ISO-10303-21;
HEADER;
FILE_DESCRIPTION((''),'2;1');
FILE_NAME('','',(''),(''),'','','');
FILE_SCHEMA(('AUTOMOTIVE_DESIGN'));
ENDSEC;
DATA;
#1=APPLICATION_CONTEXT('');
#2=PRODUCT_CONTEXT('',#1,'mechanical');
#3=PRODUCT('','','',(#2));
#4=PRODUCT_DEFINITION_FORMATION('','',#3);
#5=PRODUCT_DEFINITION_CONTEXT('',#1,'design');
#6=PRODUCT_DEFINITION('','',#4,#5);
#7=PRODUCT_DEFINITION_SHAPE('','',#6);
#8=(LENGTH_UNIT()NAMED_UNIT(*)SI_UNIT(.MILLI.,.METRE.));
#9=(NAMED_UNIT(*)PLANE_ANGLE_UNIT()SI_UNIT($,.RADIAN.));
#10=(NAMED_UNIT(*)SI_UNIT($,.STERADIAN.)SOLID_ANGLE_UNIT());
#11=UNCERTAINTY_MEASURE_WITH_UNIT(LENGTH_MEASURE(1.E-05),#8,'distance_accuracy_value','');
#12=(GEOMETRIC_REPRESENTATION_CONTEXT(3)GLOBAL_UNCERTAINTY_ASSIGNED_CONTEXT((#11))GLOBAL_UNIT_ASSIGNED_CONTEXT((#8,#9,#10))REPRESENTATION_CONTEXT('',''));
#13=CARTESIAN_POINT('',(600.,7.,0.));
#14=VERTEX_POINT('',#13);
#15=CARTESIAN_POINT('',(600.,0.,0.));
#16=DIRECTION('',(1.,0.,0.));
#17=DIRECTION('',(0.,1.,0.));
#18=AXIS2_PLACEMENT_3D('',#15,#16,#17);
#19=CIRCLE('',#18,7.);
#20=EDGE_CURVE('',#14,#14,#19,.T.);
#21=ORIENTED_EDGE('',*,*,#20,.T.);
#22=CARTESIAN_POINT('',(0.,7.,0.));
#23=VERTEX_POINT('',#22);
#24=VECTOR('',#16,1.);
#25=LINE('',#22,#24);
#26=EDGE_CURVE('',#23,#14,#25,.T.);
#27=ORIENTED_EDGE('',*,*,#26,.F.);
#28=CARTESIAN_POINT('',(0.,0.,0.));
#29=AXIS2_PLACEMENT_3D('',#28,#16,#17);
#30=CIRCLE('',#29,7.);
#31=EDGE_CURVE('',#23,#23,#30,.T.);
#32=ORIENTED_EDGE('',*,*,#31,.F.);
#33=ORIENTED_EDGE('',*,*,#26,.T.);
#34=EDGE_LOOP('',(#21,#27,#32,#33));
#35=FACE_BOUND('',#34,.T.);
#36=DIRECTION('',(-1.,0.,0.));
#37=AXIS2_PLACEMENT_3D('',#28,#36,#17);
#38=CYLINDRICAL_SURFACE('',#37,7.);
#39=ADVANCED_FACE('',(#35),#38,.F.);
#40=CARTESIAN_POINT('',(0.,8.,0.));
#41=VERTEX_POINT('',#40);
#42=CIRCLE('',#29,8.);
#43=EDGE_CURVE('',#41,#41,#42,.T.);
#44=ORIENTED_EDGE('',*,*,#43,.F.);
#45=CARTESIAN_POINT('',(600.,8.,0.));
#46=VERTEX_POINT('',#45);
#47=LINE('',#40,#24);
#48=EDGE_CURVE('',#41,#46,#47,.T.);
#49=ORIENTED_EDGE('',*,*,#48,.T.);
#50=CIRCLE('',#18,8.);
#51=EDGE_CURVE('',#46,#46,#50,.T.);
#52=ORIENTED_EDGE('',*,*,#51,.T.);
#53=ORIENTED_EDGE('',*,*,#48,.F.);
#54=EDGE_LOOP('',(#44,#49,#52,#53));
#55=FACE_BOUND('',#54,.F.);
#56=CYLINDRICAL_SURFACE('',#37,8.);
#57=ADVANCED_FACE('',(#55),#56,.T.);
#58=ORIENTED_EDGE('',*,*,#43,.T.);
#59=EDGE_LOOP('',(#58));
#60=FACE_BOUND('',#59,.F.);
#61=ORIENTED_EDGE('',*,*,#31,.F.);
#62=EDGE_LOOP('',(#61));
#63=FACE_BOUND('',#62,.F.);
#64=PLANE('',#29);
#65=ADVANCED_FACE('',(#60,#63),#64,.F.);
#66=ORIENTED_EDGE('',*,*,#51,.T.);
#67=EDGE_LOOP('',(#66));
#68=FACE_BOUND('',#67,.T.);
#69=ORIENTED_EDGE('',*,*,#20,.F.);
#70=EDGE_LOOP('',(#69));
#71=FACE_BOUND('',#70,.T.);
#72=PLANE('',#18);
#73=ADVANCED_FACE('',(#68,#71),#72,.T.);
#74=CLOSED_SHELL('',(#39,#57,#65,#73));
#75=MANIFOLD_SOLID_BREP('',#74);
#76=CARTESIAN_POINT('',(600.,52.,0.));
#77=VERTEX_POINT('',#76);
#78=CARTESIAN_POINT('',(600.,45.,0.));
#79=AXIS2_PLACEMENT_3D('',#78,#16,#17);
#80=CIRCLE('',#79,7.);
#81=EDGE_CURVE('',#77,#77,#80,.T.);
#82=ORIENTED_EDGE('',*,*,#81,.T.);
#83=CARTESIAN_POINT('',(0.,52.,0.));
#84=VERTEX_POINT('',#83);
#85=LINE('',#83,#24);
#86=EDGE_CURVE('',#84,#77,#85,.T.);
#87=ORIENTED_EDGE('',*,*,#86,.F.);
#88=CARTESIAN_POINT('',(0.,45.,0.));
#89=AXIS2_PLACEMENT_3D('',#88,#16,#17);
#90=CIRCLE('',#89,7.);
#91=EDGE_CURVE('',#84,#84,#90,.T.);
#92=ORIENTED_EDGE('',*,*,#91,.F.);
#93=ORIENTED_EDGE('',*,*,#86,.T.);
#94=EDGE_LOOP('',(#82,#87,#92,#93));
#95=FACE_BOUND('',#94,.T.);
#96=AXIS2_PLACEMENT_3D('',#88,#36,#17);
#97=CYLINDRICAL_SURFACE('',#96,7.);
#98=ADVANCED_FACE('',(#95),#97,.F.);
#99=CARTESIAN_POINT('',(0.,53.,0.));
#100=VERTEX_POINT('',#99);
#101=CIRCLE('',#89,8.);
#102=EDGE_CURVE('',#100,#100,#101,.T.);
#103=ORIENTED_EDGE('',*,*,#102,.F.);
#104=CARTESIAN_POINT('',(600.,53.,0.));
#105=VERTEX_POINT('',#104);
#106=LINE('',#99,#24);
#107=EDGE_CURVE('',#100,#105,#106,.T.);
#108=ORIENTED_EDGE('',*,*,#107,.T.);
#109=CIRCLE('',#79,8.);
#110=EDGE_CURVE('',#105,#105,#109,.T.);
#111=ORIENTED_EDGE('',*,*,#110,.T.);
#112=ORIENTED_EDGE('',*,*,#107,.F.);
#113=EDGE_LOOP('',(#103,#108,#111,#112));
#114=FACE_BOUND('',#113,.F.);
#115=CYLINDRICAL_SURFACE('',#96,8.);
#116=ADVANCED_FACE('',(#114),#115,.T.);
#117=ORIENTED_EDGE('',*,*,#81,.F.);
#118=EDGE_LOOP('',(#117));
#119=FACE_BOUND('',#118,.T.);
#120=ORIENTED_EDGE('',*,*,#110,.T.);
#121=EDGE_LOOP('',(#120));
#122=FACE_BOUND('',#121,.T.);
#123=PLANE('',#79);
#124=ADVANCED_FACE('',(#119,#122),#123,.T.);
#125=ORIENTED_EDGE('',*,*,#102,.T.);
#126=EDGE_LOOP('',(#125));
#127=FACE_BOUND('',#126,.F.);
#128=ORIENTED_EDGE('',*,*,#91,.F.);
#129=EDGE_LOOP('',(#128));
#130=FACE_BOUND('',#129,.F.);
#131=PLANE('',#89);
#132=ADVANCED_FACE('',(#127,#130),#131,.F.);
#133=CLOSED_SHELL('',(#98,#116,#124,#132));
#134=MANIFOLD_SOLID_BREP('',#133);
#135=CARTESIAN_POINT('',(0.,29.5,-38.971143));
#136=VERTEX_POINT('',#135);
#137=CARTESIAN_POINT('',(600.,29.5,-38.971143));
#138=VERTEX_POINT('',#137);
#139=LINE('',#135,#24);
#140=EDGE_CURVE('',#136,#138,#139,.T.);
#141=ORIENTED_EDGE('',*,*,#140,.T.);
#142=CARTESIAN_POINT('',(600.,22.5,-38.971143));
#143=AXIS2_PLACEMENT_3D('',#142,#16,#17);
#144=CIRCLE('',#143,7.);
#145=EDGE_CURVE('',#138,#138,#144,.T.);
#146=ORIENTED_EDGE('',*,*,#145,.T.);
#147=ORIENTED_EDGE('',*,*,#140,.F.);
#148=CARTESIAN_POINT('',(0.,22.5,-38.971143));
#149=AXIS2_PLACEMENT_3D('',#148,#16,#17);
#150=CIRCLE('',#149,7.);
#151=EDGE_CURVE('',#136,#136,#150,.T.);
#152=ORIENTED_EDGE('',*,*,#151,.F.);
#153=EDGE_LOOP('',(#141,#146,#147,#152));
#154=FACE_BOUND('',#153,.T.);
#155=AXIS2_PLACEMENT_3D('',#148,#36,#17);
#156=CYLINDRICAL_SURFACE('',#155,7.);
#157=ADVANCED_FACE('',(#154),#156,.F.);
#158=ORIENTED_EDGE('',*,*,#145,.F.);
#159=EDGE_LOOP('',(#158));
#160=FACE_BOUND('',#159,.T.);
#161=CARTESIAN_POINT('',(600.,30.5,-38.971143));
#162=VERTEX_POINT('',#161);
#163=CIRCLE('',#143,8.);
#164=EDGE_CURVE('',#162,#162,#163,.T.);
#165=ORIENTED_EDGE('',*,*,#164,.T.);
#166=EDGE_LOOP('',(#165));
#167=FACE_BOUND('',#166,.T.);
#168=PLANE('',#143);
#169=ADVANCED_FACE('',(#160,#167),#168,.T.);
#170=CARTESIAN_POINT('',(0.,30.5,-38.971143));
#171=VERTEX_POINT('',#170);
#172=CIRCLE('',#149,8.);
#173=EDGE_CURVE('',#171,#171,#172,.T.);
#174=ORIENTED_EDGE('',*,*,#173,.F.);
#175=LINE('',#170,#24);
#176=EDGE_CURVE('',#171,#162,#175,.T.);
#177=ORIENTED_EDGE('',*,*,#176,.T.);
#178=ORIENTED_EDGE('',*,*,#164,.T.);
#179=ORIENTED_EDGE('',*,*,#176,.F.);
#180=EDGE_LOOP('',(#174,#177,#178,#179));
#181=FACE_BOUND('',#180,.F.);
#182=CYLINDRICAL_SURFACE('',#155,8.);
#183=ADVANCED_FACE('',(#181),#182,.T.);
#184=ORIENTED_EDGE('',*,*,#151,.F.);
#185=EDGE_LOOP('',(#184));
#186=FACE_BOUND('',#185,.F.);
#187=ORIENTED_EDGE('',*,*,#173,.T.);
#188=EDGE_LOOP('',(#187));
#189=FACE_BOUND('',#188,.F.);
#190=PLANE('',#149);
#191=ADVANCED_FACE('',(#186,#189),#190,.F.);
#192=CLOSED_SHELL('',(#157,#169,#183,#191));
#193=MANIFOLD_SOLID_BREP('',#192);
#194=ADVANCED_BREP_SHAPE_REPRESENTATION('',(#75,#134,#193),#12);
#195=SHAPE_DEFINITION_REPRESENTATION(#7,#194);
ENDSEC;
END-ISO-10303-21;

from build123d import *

# Parameters (mm, degrees)
F0_R     = 8
F0_R_2   = 7
F1_DEPTH = 600


with BuildPart() as f1:
    # F0 (on Right) → F1 (new body)
    with BuildSketch(Plane.YZ):
        Circle(F0_R)
        Circle(F0_R_2, mode=Mode.SUBTRACT)
        with Locations((45, 0)):
            Circle(F0_R)
        with Locations((45, 0)):
            Circle(F0_R_2, mode=Mode.SUBTRACT)
        with Locations((22.5, -38.971143)):
            Circle(F0_R)
        with Locations((22.5, -38.971143)):
            Circle(F0_R_2, mode=Mode.SUBTRACT)
    extrude(amount=F1_DEPTH)


solid = f1.part
